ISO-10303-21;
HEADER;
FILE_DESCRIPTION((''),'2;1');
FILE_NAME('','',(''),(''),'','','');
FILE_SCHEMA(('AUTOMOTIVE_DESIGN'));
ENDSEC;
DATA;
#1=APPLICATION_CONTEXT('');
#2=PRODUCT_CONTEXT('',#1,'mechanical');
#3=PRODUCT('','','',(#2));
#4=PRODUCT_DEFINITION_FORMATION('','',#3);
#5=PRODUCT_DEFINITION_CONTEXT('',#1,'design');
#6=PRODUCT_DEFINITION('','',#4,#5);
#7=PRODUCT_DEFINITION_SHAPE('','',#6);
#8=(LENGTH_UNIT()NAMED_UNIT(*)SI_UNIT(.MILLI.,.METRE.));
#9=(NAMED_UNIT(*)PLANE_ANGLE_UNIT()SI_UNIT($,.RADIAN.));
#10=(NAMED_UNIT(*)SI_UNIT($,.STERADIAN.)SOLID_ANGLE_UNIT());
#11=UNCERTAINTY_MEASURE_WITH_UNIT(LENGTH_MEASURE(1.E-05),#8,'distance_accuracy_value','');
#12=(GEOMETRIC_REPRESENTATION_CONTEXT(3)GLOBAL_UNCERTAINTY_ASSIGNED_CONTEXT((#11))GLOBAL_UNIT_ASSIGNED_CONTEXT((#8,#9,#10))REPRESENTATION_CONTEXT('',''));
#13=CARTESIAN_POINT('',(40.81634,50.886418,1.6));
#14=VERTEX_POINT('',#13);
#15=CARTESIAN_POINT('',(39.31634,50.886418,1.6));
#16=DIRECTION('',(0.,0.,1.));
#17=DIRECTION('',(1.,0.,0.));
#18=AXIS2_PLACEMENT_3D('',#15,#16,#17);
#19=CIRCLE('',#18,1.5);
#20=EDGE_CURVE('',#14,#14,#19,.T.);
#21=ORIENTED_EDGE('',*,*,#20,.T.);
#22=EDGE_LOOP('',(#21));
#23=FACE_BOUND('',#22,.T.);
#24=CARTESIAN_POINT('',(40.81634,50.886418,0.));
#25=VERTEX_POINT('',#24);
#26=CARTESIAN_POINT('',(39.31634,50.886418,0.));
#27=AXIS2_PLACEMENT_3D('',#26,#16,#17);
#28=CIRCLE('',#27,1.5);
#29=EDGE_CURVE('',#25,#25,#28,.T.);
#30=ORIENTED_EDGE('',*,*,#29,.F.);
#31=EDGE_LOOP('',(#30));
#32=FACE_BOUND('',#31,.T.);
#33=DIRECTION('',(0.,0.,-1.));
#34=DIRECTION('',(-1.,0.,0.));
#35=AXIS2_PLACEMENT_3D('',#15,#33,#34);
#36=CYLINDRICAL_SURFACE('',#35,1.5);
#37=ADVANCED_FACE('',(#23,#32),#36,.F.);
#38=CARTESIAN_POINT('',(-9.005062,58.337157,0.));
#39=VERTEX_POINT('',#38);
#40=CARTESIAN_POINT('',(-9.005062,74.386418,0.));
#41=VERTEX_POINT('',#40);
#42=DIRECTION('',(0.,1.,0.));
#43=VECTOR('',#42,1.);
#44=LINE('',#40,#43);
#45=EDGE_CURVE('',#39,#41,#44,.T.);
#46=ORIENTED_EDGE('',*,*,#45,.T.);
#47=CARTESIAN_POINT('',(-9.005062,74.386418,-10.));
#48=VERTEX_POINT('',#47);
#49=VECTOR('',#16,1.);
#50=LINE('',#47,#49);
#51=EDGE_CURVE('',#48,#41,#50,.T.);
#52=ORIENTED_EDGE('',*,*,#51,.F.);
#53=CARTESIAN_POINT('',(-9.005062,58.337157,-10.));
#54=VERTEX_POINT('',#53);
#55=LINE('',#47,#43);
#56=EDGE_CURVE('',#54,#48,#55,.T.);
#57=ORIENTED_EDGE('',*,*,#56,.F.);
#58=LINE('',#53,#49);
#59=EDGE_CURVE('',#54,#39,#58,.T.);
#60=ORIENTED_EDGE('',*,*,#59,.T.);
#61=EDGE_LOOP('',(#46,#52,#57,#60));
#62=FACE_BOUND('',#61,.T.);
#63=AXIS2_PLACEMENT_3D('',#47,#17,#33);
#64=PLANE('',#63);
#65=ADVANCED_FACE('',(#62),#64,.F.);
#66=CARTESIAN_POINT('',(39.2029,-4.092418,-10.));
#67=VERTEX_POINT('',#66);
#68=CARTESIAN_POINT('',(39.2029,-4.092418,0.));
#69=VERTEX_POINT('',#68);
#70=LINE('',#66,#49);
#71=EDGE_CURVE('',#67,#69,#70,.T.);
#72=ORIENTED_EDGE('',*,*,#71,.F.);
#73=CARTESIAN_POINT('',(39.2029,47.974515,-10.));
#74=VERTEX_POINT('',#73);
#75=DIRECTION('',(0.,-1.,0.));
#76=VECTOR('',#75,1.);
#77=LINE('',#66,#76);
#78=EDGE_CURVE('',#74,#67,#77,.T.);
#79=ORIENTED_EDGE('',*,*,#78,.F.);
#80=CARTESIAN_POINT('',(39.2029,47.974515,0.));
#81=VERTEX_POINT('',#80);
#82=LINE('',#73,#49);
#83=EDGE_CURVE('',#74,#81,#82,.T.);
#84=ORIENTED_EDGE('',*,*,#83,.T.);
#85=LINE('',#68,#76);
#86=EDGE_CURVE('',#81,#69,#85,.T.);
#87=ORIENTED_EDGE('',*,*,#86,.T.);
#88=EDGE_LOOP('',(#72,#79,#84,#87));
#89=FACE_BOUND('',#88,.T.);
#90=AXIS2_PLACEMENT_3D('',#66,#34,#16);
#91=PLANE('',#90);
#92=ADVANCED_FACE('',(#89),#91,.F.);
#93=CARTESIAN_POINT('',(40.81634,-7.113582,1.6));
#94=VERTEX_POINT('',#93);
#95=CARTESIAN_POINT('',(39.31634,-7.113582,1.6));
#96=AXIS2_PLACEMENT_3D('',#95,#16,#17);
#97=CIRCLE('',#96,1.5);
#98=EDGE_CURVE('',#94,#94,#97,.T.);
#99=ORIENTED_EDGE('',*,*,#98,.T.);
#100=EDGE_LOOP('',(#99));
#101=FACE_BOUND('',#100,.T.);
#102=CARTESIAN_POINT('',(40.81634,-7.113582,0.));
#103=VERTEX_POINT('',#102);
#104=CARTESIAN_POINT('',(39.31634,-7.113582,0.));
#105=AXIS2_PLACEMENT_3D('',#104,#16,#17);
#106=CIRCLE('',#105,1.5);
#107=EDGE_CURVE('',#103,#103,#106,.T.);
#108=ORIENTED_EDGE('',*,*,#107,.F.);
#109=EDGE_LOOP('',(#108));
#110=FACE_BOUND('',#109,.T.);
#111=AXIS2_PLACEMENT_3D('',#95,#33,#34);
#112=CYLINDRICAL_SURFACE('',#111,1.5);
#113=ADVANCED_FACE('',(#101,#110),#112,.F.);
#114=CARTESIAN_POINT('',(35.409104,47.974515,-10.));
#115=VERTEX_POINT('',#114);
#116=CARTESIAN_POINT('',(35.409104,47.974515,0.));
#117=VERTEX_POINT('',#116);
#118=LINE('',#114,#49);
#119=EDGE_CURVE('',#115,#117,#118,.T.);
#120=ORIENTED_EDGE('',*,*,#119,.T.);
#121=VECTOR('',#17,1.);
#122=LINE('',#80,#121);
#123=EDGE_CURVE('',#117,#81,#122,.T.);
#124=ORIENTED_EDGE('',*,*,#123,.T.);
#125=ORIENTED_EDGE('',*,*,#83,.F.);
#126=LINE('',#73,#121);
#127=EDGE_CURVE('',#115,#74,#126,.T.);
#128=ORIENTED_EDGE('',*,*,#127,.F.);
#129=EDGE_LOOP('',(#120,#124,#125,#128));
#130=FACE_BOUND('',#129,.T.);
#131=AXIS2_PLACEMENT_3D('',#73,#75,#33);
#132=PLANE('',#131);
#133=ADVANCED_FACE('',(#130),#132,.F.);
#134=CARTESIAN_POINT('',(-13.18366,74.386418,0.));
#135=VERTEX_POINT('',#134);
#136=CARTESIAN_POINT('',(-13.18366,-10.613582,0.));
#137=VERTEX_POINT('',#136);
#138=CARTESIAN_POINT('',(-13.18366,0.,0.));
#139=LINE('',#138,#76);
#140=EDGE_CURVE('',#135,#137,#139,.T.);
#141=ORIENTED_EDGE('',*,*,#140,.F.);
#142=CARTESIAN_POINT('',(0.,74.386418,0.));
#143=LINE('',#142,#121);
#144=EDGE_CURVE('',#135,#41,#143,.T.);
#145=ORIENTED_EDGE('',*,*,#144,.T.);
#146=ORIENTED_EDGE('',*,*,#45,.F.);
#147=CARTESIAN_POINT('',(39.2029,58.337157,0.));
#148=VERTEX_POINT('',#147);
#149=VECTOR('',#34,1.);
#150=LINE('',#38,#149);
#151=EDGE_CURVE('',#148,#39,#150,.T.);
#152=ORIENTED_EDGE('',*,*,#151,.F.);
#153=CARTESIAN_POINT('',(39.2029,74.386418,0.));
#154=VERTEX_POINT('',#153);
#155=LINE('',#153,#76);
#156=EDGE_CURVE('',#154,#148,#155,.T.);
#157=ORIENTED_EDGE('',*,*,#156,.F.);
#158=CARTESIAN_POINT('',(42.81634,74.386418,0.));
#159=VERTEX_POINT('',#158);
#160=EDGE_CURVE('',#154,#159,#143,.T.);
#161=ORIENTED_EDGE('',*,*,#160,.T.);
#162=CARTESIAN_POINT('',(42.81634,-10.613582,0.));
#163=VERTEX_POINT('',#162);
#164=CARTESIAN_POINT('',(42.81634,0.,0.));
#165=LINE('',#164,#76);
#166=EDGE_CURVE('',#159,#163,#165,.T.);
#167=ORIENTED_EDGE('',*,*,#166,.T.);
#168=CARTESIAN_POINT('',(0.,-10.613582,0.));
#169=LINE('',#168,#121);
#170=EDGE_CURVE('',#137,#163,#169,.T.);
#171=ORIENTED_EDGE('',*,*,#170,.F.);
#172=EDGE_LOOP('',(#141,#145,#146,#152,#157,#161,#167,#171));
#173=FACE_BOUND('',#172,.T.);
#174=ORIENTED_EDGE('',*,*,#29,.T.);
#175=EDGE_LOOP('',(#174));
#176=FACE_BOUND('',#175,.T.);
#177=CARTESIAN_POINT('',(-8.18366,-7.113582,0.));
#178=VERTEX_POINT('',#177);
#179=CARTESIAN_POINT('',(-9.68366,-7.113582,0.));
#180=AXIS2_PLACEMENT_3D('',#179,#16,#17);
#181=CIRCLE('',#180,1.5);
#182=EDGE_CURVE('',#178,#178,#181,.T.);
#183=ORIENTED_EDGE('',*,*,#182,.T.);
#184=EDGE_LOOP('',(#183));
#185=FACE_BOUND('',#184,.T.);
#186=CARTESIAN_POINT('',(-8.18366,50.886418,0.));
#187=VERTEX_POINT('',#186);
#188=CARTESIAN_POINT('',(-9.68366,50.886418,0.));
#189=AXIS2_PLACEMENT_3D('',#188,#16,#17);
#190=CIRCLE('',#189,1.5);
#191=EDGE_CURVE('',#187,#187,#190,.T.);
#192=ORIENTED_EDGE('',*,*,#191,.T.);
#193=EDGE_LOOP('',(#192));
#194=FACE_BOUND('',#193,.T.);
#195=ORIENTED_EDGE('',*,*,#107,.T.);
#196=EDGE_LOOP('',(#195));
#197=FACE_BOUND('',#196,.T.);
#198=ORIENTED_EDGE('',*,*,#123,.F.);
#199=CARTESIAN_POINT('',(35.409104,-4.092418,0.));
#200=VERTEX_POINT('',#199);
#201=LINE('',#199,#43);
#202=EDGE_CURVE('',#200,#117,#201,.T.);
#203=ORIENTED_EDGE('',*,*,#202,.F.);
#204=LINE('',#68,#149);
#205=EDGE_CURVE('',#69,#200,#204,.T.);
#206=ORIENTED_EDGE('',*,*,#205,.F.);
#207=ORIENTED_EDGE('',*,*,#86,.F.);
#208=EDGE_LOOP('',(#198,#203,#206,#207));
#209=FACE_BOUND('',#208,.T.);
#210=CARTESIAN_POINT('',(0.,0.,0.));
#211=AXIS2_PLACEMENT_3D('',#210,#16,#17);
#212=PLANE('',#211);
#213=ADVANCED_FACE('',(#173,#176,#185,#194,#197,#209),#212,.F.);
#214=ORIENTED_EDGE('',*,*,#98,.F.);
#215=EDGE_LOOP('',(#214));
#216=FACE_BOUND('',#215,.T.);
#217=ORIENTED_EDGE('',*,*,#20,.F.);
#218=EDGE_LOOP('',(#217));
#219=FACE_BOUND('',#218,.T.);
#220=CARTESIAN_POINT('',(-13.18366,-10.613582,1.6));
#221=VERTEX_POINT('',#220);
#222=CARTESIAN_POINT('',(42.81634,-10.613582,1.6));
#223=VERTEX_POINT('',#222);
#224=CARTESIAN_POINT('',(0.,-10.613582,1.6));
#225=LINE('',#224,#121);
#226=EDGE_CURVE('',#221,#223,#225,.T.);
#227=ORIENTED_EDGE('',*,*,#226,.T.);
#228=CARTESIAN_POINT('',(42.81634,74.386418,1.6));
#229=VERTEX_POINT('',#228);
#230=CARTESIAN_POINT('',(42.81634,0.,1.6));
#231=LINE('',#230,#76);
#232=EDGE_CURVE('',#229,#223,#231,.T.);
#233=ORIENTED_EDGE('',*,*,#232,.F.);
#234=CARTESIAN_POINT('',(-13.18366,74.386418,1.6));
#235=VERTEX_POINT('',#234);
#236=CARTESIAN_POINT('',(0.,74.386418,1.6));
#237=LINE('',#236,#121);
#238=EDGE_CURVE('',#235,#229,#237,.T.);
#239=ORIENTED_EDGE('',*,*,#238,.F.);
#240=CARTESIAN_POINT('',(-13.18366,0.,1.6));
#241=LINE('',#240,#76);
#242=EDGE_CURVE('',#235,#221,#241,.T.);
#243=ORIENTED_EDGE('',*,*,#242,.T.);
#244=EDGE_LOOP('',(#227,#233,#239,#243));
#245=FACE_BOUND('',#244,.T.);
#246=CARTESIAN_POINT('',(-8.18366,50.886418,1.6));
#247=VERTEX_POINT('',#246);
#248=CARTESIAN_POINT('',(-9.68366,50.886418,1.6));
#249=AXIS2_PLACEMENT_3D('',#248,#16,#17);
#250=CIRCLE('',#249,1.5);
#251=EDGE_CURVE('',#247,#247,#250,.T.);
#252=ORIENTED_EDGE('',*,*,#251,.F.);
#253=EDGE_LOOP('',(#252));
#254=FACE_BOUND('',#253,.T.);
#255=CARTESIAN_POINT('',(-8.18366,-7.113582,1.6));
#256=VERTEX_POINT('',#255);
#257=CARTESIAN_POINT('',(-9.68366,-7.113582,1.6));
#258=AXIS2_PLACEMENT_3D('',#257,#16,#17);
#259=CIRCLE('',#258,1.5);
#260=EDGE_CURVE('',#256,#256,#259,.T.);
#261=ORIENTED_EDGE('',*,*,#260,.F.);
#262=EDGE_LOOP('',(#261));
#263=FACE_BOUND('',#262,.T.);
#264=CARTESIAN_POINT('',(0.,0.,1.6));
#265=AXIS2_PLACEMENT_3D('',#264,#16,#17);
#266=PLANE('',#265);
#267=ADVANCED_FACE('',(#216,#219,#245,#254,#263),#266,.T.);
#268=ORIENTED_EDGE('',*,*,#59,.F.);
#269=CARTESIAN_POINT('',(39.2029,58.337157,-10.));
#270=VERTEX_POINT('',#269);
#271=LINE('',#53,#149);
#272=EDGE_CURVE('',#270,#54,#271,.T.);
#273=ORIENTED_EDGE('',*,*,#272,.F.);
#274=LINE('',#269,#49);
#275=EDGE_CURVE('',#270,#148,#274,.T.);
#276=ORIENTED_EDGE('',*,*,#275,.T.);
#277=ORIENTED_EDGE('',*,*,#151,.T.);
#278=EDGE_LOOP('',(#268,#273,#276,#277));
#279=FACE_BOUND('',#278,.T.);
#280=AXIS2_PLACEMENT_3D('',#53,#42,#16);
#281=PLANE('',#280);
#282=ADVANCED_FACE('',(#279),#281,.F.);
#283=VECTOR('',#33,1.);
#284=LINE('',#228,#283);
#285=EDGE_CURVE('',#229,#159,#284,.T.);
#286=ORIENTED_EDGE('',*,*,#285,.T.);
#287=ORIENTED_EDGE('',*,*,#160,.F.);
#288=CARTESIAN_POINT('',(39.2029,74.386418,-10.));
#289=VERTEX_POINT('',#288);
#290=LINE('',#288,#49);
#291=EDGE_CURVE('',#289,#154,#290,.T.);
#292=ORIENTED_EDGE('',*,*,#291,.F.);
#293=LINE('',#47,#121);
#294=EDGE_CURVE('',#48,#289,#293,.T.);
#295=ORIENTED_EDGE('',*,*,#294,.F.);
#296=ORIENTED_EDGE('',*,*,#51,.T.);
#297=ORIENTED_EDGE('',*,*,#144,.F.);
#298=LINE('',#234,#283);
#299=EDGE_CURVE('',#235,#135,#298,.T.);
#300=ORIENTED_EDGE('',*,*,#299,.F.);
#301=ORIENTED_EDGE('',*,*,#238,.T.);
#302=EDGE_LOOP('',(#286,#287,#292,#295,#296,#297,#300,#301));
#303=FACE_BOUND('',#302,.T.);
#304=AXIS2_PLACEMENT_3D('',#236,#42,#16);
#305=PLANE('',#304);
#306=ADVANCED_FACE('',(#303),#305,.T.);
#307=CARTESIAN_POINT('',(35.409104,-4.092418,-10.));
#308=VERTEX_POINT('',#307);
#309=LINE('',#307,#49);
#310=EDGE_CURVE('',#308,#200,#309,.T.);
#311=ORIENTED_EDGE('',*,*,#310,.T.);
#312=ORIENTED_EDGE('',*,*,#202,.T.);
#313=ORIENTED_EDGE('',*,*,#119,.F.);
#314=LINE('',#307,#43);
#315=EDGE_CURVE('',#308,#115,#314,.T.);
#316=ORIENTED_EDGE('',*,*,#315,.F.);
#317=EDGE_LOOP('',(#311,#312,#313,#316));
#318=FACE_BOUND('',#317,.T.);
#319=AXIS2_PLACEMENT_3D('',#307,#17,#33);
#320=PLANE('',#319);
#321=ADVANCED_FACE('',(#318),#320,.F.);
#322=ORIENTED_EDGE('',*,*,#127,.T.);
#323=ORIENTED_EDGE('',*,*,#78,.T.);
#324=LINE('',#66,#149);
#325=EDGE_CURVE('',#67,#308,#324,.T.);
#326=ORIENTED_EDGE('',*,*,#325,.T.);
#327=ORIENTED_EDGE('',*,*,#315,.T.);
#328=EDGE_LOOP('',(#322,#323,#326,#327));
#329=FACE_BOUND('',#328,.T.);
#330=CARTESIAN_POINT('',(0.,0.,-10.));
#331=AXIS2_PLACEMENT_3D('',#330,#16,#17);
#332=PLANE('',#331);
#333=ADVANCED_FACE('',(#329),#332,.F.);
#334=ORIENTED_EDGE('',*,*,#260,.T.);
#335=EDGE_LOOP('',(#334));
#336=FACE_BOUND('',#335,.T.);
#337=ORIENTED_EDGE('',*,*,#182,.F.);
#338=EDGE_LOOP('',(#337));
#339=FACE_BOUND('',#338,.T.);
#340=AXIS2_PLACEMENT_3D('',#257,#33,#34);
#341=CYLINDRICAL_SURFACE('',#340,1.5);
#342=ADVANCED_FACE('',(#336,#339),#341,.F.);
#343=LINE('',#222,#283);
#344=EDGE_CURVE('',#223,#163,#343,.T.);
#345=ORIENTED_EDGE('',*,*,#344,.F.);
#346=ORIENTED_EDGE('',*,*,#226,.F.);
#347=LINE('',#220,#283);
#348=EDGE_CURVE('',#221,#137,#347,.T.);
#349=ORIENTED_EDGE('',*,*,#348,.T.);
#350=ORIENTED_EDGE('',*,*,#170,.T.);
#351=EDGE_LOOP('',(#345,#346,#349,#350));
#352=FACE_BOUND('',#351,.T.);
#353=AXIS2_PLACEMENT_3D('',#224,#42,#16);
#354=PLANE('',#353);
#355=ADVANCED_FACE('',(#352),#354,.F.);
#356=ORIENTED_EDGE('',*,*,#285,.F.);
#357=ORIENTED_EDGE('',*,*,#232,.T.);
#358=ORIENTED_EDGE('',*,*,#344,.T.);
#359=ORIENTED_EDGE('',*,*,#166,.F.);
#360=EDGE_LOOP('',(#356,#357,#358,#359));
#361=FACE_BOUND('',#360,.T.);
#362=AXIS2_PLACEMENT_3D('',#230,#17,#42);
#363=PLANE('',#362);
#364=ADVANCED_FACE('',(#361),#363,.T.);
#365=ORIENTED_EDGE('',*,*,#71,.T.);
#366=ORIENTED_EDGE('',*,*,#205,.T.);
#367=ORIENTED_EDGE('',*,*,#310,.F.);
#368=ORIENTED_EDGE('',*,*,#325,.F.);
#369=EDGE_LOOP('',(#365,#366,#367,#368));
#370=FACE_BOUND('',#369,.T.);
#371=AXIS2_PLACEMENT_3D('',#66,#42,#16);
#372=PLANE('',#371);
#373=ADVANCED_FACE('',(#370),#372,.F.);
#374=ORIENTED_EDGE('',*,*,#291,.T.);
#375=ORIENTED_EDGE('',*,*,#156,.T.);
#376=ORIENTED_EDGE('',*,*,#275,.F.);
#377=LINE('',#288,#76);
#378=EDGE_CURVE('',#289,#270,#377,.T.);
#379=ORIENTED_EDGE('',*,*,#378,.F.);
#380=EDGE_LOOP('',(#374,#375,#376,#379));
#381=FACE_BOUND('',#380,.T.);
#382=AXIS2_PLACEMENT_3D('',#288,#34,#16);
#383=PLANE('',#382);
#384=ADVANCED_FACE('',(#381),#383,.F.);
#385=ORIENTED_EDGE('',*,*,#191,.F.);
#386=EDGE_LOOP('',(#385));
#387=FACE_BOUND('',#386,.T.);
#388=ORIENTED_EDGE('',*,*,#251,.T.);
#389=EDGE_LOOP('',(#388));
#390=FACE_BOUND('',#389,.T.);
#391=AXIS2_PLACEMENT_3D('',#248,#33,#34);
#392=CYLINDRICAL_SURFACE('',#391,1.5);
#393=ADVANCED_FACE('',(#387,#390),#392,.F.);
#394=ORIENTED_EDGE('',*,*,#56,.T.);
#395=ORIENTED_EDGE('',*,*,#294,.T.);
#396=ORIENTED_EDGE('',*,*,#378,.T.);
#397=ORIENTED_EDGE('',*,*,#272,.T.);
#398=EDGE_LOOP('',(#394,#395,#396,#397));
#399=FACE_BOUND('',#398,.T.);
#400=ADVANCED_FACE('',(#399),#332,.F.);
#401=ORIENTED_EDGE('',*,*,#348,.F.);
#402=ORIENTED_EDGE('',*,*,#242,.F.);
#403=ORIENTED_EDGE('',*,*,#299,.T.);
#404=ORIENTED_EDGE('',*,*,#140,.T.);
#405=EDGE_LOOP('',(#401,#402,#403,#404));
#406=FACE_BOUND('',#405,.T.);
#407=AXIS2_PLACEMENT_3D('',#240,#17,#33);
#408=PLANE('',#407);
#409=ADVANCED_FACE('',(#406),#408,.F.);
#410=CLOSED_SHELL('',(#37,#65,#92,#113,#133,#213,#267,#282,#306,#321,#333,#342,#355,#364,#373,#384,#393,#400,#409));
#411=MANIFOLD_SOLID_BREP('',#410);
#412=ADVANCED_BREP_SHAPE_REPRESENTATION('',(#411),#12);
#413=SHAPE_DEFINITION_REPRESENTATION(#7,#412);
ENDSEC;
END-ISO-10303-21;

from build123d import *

# Parameters (mm, degrees)
SKETCH_1_R      = 1.5
EXTRUDE_1_DEPTH = 1.6
SKETCH_2_W      = 48.207961956
SKETCH_2_H      = 16.049260915
SKETCH_2_W_2    = 3.793795092
SKETCH_2_H_2    = 52.066933367
EXTRUDE_2_DEPTH = 10


with BuildPart() as part:
    # 草图1 → 凸台-拉伸1 (new body)
    with BuildSketch(Plane.XY):
        Polygon((-13.183660203, 74.386417716), (-13.183660203, -7.113582284), (-13.183660203, -10.613582284), (42.816339797, -10.613582284), (42.816339797, 74.386417716), align=None)
        with BuildLine():
            ThreePointArc((-8.183660203, -7.113582284), (-9.683660203, -8.613582284), (-11.183660203, -7.113582284))
            ThreePointArc((-11.183660203, -7.113582284), (-9.683660203, -5.613582284), (-8.183660203, -7.113582284))
        make_face(mode=Mode.SUBTRACT)
        with Locations((39.316339797, -7.113582284)):
            Circle(SKETCH_1_R, mode=Mode.SUBTRACT)
        with Locations((-9.683660203, 50.886417716)):
            Circle(SKETCH_1_R, mode=Mode.SUBTRACT)
        with Locations((39.316339797, 50.886417716)):
            Circle(SKETCH_1_R, mode=Mode.SUBTRACT)
    extrude(amount=EXTRUDE_1_DEPTH)

    # 草图2 → 凸台-拉伸2 (add)
    with BuildSketch(Plane(origin=(0, 0, 0), x_dir=(-1, 0, 0), z_dir=(0, 0, -1))):
        with Locations((-15.098918569, 66.361787259)):
            Rectangle(SKETCH_2_W, SKETCH_2_H)
        with Locations((-37.306002001, 21.941048421)):
            Rectangle(SKETCH_2_W_2, SKETCH_2_H_2)
    extrude(amount=EXTRUDE_2_DEPTH)


solid = part.part
